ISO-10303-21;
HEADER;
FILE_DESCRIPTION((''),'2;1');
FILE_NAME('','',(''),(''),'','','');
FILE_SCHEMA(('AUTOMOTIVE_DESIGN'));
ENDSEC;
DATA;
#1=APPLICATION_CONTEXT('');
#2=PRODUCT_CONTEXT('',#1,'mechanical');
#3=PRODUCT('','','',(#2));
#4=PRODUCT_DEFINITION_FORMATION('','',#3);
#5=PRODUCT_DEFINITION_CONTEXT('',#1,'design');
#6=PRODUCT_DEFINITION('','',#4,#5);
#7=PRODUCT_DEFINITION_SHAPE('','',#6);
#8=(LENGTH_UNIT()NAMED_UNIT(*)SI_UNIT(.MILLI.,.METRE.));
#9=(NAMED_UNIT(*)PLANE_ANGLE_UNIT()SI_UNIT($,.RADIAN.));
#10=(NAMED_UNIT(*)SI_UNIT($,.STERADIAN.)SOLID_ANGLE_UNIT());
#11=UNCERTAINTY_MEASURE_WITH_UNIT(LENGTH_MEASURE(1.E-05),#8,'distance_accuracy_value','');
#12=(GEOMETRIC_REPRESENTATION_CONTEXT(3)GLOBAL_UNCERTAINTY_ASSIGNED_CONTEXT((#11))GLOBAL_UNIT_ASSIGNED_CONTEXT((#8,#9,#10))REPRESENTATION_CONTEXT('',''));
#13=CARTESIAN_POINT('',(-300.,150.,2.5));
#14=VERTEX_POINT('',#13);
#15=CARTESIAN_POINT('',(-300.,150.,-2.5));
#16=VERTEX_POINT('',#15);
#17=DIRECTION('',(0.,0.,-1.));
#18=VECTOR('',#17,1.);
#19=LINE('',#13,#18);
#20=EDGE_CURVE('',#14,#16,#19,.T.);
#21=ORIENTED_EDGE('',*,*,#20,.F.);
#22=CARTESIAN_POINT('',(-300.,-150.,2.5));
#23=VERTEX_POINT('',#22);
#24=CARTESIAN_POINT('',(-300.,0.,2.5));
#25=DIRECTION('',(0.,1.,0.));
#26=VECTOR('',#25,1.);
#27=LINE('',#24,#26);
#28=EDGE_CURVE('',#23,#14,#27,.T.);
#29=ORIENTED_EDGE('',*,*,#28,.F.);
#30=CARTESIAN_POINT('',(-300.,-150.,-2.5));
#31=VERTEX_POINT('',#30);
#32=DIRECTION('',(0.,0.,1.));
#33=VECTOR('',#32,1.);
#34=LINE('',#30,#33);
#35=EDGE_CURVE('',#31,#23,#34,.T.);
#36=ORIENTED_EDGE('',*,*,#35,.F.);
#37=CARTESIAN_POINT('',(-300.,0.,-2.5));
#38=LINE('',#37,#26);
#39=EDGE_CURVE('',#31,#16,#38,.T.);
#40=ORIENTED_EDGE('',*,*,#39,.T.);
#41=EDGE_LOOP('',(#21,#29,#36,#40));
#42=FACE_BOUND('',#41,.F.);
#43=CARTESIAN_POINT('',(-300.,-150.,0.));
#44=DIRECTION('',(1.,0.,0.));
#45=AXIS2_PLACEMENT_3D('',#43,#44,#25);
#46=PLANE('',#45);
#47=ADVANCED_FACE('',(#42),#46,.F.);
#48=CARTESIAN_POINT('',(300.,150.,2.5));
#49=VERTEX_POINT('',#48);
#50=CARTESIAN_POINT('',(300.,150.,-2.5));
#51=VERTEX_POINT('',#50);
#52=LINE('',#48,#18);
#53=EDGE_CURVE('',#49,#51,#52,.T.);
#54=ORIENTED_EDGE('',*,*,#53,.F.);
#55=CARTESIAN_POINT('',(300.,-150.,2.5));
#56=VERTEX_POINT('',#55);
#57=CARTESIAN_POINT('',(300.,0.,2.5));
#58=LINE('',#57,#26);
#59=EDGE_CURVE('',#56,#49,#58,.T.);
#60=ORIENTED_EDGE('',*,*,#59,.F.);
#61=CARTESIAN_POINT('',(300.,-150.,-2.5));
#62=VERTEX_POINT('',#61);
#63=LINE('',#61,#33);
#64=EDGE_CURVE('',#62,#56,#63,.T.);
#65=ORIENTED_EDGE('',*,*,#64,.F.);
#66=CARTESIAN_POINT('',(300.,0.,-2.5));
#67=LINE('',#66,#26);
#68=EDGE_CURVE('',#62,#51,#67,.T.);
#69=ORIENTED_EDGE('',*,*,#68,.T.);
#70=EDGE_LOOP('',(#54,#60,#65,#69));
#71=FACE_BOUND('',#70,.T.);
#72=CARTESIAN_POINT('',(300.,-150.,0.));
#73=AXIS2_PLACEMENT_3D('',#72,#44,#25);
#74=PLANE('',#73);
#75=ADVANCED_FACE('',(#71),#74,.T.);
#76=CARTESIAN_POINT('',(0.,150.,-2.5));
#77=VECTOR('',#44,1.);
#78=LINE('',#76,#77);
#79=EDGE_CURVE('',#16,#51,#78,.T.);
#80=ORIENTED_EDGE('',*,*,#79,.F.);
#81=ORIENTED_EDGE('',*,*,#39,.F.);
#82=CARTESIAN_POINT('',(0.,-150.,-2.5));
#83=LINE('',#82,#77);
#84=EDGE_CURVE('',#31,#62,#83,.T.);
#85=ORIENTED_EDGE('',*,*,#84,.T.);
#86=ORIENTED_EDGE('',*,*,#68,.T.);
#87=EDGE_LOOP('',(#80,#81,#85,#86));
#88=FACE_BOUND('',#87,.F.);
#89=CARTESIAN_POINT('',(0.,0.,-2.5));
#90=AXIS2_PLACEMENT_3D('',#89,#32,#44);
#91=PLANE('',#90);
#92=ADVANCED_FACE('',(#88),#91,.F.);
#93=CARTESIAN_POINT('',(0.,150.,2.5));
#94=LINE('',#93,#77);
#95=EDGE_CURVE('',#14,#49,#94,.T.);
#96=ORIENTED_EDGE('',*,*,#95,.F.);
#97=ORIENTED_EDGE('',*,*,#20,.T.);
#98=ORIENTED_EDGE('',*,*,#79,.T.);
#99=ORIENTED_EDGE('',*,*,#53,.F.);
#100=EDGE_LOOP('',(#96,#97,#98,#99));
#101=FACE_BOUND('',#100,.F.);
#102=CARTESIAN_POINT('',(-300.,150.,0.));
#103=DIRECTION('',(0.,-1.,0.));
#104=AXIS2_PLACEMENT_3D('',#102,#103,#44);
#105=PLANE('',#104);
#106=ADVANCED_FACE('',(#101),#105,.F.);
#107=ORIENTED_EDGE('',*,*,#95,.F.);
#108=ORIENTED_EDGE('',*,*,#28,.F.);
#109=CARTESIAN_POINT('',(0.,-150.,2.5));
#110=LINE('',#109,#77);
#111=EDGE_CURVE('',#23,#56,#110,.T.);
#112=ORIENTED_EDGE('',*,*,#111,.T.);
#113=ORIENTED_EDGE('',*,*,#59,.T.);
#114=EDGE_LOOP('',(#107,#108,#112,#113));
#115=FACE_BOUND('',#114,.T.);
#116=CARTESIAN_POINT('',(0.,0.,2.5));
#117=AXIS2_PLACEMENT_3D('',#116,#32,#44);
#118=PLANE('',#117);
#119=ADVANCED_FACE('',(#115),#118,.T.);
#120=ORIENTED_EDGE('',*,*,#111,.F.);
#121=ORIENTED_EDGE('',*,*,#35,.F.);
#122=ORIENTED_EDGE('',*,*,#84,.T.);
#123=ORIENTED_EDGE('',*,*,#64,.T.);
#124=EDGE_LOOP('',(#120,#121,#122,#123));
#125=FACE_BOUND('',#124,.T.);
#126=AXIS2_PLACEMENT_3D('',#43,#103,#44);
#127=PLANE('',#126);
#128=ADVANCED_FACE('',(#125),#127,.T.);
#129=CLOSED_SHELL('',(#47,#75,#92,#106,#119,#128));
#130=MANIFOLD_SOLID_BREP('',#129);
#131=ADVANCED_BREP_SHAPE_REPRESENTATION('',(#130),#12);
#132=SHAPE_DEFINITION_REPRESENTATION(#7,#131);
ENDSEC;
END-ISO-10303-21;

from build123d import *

# Parameters (mm, degrees)
SKETCH_W  = 600
SKETCH_H  = 300
PAD_DEPTH = 2.5


with BuildPart() as part:
    # Sketch → Pad (new body, symmetric)
    with BuildSketch(Plane.XY):
        Rectangle(SKETCH_W, SKETCH_H)
    extrude(amount=PAD_DEPTH, both=True)


solid = part.part
